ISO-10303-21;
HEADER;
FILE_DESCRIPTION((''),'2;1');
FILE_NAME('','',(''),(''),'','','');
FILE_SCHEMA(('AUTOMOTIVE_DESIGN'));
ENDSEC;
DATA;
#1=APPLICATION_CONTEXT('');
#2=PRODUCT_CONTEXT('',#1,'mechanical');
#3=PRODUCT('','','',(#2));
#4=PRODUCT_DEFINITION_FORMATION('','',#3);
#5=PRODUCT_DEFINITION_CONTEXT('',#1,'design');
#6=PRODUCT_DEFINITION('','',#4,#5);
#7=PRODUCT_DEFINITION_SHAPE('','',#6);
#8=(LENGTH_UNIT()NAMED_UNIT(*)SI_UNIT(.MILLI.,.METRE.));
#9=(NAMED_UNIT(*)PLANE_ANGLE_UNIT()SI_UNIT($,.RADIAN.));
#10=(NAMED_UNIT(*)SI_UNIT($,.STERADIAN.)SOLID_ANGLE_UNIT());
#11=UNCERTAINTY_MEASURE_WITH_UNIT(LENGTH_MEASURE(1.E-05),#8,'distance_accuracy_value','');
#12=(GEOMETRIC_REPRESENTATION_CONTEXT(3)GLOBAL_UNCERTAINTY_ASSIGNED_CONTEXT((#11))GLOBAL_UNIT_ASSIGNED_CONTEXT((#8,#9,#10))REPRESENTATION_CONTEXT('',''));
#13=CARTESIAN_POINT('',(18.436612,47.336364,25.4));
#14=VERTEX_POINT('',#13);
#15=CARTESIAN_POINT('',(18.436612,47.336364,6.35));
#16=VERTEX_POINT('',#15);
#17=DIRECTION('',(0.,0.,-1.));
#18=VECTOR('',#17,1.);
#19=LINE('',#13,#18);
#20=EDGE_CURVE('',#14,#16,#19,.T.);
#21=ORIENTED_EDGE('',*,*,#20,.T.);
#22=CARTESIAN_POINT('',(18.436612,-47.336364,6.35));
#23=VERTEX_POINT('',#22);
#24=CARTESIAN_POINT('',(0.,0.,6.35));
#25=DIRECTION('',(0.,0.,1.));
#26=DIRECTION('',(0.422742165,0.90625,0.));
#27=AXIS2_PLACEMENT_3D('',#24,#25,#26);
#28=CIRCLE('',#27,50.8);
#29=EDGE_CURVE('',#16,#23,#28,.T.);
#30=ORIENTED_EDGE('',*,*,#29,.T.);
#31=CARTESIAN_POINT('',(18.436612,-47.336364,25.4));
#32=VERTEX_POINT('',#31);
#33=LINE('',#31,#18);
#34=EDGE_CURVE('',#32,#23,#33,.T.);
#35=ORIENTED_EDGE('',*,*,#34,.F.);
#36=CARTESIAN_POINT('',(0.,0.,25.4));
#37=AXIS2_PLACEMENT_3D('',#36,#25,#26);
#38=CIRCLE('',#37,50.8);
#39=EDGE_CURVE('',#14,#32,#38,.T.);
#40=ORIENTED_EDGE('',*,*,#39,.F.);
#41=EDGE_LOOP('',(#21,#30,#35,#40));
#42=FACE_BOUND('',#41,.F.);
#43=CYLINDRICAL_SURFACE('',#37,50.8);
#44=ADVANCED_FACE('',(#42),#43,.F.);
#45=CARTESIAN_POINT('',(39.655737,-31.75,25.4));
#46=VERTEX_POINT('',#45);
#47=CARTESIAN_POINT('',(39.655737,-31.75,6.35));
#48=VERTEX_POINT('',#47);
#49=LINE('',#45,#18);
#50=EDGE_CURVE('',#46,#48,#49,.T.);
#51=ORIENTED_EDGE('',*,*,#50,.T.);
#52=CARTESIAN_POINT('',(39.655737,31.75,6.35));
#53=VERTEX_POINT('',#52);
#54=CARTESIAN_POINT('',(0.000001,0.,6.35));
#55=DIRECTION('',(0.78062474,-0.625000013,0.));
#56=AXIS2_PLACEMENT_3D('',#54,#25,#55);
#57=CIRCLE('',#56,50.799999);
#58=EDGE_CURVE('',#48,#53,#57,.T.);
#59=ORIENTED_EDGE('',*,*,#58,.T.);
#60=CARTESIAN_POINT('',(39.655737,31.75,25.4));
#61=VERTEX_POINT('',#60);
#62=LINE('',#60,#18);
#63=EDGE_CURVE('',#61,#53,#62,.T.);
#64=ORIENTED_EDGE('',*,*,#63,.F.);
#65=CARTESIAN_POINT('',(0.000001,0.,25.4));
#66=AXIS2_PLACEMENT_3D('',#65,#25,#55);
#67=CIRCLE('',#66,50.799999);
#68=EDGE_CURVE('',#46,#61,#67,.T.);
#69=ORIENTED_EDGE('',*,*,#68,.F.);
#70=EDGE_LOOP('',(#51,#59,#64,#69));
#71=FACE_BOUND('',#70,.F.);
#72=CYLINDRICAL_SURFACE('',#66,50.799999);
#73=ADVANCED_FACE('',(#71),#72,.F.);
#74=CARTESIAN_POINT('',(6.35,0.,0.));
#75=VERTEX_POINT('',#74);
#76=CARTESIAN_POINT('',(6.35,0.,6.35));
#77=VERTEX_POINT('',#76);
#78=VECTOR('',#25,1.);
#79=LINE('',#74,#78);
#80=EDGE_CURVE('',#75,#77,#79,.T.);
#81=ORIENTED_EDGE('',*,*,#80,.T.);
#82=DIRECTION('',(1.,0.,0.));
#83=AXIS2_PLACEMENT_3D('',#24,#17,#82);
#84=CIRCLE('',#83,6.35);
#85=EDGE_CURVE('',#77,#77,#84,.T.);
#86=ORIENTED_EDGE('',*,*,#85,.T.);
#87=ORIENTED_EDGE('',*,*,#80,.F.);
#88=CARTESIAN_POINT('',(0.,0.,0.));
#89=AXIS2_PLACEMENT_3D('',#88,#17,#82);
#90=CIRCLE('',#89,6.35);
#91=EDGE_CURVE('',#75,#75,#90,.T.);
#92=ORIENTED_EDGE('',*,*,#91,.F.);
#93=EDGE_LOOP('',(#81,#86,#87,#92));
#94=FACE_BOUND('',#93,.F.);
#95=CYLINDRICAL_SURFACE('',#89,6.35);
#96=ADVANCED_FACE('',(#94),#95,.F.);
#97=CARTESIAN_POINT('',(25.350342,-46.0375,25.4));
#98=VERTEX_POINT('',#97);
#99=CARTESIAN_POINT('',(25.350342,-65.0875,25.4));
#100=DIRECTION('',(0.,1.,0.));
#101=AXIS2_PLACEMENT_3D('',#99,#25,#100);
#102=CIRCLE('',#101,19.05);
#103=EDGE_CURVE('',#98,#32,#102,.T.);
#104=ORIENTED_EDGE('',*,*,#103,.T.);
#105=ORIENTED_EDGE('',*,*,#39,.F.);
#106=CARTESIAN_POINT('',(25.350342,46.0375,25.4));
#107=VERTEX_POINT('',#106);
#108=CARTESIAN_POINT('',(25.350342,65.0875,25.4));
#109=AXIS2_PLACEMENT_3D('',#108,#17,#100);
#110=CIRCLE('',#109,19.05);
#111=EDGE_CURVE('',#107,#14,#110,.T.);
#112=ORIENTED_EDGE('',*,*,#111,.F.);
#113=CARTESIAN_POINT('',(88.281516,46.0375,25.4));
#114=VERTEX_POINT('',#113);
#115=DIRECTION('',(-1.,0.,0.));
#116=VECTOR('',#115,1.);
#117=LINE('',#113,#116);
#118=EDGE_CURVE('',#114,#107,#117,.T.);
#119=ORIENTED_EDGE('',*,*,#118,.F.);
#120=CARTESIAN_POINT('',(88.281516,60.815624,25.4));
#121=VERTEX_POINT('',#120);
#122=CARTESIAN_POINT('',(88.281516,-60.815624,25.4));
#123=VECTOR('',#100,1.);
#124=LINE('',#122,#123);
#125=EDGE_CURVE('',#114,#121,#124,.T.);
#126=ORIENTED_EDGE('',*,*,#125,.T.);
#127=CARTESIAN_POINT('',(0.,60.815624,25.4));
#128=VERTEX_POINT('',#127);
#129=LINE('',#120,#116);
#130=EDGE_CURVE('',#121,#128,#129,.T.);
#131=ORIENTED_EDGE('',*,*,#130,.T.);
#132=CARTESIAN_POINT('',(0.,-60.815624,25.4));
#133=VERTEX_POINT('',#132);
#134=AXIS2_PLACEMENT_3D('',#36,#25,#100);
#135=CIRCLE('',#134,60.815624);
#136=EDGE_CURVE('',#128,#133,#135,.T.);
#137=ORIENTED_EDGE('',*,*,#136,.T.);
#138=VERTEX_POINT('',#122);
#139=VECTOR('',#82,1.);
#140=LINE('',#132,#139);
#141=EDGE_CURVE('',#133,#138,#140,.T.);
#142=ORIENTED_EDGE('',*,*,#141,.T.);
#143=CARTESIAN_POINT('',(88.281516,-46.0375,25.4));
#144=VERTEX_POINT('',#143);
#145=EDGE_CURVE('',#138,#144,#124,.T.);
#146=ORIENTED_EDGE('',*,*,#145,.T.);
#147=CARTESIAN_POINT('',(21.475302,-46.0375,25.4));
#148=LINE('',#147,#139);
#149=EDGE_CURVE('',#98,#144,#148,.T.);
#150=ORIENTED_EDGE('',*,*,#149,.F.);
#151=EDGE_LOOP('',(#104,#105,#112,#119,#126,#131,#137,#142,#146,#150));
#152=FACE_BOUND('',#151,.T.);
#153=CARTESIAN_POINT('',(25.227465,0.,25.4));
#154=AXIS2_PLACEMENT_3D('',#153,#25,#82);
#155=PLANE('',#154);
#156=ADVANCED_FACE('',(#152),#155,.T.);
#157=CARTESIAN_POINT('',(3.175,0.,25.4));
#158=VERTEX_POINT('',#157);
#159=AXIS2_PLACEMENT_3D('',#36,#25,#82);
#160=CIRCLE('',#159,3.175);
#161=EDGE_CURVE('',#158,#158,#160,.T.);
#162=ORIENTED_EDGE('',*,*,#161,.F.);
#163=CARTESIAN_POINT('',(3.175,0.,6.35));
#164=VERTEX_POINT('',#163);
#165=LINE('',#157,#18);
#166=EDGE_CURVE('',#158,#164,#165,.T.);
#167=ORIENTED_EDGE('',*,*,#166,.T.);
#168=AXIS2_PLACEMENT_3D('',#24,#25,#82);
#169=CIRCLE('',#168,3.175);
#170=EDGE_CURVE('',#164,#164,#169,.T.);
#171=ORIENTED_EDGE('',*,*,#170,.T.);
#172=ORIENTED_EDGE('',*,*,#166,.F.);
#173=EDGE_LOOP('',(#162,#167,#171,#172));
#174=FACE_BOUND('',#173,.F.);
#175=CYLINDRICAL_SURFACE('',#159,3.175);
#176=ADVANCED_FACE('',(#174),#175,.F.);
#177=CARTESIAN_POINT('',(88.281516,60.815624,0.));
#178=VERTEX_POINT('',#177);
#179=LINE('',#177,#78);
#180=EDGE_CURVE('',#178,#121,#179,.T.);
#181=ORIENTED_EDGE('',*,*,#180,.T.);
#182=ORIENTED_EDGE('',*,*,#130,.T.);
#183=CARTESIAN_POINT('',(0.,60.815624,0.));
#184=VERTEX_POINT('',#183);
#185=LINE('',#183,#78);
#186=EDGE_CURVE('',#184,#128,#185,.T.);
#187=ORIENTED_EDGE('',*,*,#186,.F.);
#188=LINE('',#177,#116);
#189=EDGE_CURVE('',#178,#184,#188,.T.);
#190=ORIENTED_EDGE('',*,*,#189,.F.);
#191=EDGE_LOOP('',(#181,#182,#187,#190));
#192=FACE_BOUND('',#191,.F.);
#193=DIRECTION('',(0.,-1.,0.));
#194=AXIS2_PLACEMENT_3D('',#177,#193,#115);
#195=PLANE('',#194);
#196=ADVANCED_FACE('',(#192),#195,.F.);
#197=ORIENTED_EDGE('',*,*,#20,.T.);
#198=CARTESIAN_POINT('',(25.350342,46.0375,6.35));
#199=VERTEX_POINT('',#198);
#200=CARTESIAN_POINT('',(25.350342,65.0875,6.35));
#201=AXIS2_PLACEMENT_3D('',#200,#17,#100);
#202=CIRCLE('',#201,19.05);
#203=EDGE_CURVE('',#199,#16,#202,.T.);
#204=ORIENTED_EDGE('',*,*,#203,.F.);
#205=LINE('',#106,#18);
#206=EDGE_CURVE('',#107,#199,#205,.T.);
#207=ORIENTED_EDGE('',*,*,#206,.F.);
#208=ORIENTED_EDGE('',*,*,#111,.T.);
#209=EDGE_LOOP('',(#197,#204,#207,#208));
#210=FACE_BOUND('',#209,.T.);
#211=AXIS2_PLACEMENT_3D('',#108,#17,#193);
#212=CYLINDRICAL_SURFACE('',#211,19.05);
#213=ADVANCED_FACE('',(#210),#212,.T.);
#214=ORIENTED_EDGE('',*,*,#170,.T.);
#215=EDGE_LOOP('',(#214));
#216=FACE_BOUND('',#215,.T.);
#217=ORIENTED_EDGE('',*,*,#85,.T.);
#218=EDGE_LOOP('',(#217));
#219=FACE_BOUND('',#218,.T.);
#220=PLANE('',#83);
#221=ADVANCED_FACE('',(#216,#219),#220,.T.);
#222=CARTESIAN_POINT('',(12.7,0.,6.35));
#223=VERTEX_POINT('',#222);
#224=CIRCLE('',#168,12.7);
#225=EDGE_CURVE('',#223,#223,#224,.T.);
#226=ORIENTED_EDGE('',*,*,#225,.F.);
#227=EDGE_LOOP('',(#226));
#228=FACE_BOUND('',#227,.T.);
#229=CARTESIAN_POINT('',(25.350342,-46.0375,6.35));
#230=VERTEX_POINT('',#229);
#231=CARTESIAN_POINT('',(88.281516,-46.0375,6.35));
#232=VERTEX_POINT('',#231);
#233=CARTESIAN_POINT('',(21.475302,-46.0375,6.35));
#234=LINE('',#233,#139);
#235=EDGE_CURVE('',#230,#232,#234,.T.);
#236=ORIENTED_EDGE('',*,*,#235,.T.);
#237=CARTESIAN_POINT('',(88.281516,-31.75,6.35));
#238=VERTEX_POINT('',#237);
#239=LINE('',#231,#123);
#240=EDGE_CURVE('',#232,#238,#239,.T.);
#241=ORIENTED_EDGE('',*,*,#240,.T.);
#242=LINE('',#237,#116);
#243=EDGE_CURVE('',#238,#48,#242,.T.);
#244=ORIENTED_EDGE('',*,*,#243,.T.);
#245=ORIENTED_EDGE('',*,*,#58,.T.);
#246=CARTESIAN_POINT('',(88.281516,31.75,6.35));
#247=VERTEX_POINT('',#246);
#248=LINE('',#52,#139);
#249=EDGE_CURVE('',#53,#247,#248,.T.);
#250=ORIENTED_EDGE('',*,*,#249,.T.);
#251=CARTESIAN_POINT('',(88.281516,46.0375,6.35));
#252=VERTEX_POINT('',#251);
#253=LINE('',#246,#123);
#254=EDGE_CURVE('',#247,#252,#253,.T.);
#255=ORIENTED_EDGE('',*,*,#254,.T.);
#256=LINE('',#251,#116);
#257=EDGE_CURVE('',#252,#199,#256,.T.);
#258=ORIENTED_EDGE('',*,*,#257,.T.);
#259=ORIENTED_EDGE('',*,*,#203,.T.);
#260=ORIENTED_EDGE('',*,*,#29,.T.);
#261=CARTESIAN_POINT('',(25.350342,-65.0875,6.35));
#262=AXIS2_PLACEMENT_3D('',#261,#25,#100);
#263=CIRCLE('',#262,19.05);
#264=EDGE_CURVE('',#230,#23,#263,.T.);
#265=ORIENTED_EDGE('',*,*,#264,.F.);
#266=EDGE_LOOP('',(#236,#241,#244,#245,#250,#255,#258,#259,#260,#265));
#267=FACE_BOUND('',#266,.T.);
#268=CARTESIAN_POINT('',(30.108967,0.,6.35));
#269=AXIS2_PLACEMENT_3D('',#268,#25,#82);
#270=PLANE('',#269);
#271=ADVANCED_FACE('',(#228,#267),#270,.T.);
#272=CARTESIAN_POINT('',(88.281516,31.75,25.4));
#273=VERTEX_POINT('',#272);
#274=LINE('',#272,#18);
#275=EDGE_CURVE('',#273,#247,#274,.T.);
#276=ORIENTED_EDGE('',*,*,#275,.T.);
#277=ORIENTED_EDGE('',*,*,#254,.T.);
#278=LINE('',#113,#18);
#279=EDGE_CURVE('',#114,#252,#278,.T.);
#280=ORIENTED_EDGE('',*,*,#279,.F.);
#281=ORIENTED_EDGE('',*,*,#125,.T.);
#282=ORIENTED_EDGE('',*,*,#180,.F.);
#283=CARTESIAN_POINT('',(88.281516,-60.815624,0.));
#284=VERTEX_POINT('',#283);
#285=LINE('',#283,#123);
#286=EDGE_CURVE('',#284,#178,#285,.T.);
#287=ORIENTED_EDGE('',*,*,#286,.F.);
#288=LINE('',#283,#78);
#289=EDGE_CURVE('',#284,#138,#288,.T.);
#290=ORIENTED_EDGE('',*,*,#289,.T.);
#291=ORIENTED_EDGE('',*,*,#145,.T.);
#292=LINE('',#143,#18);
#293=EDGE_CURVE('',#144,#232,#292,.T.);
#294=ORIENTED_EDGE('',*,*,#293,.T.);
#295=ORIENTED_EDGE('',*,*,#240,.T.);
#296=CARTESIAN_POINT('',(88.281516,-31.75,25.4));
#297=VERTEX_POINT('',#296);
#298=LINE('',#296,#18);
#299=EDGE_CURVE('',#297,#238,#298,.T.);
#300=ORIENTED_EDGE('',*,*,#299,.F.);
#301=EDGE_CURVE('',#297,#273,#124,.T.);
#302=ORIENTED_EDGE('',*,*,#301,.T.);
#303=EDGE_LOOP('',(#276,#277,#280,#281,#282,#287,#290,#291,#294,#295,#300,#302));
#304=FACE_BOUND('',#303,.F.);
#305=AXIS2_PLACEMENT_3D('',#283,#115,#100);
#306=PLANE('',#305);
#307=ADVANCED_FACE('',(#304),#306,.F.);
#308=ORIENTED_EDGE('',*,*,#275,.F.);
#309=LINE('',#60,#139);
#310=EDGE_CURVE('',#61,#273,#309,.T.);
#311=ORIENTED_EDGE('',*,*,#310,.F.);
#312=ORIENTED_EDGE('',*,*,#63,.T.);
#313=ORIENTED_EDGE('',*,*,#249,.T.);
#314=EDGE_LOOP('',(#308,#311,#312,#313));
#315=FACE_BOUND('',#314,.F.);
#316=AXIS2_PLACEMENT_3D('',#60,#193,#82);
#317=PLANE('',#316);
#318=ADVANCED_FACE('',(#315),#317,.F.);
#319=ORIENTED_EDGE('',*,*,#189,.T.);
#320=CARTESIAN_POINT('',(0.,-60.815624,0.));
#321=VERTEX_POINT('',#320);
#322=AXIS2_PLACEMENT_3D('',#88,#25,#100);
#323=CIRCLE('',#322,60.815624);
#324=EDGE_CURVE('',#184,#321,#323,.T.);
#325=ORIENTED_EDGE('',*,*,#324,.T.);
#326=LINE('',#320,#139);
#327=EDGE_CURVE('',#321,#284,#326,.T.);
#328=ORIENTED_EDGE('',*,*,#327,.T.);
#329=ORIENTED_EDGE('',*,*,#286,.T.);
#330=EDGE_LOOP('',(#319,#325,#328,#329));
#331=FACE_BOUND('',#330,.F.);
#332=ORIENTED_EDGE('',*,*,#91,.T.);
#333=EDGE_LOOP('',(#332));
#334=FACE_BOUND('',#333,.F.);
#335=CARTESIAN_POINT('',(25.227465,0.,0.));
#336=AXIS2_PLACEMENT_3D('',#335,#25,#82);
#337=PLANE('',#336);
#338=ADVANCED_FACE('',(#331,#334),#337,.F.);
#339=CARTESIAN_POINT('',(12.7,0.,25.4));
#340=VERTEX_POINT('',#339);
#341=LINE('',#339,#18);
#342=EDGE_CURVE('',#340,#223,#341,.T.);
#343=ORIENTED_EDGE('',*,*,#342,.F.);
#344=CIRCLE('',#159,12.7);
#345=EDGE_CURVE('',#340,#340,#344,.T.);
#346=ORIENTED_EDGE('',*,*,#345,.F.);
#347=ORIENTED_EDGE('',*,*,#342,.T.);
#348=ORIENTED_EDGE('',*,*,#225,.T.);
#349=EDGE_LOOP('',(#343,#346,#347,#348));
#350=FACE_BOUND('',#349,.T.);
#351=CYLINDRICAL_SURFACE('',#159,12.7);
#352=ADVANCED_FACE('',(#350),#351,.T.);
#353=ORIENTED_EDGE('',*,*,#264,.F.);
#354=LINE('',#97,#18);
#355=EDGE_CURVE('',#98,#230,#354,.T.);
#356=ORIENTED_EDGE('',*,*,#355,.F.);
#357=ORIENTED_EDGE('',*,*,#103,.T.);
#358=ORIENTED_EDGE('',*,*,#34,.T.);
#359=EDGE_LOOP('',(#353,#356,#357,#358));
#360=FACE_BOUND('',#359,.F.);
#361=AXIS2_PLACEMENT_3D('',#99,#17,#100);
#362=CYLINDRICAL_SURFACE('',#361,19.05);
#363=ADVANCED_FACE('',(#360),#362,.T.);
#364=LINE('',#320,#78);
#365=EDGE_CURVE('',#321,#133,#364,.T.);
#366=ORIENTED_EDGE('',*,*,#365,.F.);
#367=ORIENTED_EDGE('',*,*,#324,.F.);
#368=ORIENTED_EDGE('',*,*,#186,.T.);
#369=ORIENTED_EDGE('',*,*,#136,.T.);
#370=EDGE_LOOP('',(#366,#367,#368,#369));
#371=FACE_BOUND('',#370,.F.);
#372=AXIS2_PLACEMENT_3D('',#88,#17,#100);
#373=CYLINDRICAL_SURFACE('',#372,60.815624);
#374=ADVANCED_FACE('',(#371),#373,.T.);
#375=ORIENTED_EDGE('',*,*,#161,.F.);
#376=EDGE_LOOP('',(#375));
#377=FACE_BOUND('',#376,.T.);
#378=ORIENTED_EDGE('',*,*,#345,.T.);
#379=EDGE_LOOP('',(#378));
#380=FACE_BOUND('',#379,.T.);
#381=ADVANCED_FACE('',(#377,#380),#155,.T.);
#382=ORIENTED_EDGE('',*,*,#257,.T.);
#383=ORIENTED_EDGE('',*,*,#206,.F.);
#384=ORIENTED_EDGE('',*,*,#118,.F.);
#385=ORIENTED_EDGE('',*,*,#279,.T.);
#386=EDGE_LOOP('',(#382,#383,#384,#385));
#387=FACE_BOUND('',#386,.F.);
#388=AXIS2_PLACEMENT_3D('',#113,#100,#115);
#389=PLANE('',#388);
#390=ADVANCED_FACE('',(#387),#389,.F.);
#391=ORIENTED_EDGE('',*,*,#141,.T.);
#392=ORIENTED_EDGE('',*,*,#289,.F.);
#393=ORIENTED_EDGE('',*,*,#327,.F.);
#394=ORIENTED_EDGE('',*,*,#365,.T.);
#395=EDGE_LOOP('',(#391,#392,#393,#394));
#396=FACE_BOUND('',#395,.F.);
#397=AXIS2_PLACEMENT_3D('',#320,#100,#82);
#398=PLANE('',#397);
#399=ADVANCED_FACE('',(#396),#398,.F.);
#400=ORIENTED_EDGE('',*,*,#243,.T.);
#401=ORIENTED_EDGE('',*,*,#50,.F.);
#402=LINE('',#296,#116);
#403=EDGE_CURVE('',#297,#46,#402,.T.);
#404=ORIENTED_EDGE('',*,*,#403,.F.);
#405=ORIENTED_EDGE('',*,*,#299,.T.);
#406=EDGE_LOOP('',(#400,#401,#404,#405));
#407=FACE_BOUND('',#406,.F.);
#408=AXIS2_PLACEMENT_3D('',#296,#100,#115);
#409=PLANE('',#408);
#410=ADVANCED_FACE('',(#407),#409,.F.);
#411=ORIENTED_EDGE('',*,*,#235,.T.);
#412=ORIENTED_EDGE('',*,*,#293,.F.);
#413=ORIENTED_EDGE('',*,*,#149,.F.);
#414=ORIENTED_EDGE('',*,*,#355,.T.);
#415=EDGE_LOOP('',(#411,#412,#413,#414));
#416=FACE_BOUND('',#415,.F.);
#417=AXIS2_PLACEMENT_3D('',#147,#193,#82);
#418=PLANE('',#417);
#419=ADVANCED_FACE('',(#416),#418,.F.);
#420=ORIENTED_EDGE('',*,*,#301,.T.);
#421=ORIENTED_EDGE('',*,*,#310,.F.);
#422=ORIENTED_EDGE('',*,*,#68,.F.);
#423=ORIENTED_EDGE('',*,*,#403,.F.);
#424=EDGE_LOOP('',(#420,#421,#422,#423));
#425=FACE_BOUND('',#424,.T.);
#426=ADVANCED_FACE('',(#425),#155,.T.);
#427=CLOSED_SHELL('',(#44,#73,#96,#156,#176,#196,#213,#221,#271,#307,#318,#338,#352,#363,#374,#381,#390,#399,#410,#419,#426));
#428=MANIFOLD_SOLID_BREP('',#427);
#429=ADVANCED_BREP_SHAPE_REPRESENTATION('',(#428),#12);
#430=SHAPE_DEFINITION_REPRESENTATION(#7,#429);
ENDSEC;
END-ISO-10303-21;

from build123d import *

# Parameters (mm, degrees)
F1_DEPTH = 25.4
F2_R     = 12.7
F3_DEPTH = 19.05
F4_R     = 19.05
F2_R_2   = 3.175
F5_DEPTH = 25.4
F6_R     = 6.35
F7_DEPTH = 6.35


with BuildPart() as f1:
    # F0 (on Top) → F1 (new body)
    with BuildSketch(Plane.XY):
        with BuildLine():
            Line((88.281516, 60.815624), (0, 60.815624))
            ThreePointArc((0, 60.815624), (-60.815624, 0), (0, -60.815624))
            Line((0, -60.815624), (88.281516, -60.815624))
            Line((88.281516, -60.815624), (88.281516, 60.815624))
        make_face()
    extrude(amount=F1_DEPTH)

    # F2 (on face) → F3 (cut)
    with BuildSketch(Plane.XY.offset(25.4)):
        with BuildLine():
            Line((88.281516, 46.0375), (21.475302, 46.0375))
            ThreePointArc((21.475302, 46.0375), (-50.8, 0), (21.475302, -46.0375))
            Line((21.475302, -46.0375), (88.281516, -46.0375))
            Line((88.281516, -46.0375), (88.281516, -31.75))
            Line((88.281516, -31.75), (39.655737, -31.75))
            ThreePointArc((39.655737, -31.75), (50.8, 0), (39.655737, 31.75))
            Line((39.655737, 31.75), (88.281516, 31.75))
            Line((88.281516, 31.75), (88.281516, 46.0375))
        make_face()
        Circle(F2_R, mode=Mode.SUBTRACT)
    extrude(amount=-F3_DEPTH, mode=Mode.SUBTRACT)

    # F4
    f4_edges = [f1.edges().sort_by_distance(p)[0] for p in [
        (21.475302, 46.0375, 15.875),
        (21.475302, -46.0375, 15.875),
    ]]
    fillet(f4_edges, radius=F4_R)

    # F2 (on face) → F5 (cut)
    with BuildSketch(Plane.XY.offset(25.4)):
        Circle(F2_R_2)
    extrude(amount=-F5_DEPTH, mode=Mode.SUBTRACT)

    # F6 (on face) → F7 (cut)
    with BuildSketch(Plane(origin=(0, 0, 0), x_dir=(1, 0, 0), z_dir=(0, 0, -1))):
        Circle(F6_R)
    extrude(amount=-F7_DEPTH, mode=Mode.SUBTRACT)


solid = f1.part
